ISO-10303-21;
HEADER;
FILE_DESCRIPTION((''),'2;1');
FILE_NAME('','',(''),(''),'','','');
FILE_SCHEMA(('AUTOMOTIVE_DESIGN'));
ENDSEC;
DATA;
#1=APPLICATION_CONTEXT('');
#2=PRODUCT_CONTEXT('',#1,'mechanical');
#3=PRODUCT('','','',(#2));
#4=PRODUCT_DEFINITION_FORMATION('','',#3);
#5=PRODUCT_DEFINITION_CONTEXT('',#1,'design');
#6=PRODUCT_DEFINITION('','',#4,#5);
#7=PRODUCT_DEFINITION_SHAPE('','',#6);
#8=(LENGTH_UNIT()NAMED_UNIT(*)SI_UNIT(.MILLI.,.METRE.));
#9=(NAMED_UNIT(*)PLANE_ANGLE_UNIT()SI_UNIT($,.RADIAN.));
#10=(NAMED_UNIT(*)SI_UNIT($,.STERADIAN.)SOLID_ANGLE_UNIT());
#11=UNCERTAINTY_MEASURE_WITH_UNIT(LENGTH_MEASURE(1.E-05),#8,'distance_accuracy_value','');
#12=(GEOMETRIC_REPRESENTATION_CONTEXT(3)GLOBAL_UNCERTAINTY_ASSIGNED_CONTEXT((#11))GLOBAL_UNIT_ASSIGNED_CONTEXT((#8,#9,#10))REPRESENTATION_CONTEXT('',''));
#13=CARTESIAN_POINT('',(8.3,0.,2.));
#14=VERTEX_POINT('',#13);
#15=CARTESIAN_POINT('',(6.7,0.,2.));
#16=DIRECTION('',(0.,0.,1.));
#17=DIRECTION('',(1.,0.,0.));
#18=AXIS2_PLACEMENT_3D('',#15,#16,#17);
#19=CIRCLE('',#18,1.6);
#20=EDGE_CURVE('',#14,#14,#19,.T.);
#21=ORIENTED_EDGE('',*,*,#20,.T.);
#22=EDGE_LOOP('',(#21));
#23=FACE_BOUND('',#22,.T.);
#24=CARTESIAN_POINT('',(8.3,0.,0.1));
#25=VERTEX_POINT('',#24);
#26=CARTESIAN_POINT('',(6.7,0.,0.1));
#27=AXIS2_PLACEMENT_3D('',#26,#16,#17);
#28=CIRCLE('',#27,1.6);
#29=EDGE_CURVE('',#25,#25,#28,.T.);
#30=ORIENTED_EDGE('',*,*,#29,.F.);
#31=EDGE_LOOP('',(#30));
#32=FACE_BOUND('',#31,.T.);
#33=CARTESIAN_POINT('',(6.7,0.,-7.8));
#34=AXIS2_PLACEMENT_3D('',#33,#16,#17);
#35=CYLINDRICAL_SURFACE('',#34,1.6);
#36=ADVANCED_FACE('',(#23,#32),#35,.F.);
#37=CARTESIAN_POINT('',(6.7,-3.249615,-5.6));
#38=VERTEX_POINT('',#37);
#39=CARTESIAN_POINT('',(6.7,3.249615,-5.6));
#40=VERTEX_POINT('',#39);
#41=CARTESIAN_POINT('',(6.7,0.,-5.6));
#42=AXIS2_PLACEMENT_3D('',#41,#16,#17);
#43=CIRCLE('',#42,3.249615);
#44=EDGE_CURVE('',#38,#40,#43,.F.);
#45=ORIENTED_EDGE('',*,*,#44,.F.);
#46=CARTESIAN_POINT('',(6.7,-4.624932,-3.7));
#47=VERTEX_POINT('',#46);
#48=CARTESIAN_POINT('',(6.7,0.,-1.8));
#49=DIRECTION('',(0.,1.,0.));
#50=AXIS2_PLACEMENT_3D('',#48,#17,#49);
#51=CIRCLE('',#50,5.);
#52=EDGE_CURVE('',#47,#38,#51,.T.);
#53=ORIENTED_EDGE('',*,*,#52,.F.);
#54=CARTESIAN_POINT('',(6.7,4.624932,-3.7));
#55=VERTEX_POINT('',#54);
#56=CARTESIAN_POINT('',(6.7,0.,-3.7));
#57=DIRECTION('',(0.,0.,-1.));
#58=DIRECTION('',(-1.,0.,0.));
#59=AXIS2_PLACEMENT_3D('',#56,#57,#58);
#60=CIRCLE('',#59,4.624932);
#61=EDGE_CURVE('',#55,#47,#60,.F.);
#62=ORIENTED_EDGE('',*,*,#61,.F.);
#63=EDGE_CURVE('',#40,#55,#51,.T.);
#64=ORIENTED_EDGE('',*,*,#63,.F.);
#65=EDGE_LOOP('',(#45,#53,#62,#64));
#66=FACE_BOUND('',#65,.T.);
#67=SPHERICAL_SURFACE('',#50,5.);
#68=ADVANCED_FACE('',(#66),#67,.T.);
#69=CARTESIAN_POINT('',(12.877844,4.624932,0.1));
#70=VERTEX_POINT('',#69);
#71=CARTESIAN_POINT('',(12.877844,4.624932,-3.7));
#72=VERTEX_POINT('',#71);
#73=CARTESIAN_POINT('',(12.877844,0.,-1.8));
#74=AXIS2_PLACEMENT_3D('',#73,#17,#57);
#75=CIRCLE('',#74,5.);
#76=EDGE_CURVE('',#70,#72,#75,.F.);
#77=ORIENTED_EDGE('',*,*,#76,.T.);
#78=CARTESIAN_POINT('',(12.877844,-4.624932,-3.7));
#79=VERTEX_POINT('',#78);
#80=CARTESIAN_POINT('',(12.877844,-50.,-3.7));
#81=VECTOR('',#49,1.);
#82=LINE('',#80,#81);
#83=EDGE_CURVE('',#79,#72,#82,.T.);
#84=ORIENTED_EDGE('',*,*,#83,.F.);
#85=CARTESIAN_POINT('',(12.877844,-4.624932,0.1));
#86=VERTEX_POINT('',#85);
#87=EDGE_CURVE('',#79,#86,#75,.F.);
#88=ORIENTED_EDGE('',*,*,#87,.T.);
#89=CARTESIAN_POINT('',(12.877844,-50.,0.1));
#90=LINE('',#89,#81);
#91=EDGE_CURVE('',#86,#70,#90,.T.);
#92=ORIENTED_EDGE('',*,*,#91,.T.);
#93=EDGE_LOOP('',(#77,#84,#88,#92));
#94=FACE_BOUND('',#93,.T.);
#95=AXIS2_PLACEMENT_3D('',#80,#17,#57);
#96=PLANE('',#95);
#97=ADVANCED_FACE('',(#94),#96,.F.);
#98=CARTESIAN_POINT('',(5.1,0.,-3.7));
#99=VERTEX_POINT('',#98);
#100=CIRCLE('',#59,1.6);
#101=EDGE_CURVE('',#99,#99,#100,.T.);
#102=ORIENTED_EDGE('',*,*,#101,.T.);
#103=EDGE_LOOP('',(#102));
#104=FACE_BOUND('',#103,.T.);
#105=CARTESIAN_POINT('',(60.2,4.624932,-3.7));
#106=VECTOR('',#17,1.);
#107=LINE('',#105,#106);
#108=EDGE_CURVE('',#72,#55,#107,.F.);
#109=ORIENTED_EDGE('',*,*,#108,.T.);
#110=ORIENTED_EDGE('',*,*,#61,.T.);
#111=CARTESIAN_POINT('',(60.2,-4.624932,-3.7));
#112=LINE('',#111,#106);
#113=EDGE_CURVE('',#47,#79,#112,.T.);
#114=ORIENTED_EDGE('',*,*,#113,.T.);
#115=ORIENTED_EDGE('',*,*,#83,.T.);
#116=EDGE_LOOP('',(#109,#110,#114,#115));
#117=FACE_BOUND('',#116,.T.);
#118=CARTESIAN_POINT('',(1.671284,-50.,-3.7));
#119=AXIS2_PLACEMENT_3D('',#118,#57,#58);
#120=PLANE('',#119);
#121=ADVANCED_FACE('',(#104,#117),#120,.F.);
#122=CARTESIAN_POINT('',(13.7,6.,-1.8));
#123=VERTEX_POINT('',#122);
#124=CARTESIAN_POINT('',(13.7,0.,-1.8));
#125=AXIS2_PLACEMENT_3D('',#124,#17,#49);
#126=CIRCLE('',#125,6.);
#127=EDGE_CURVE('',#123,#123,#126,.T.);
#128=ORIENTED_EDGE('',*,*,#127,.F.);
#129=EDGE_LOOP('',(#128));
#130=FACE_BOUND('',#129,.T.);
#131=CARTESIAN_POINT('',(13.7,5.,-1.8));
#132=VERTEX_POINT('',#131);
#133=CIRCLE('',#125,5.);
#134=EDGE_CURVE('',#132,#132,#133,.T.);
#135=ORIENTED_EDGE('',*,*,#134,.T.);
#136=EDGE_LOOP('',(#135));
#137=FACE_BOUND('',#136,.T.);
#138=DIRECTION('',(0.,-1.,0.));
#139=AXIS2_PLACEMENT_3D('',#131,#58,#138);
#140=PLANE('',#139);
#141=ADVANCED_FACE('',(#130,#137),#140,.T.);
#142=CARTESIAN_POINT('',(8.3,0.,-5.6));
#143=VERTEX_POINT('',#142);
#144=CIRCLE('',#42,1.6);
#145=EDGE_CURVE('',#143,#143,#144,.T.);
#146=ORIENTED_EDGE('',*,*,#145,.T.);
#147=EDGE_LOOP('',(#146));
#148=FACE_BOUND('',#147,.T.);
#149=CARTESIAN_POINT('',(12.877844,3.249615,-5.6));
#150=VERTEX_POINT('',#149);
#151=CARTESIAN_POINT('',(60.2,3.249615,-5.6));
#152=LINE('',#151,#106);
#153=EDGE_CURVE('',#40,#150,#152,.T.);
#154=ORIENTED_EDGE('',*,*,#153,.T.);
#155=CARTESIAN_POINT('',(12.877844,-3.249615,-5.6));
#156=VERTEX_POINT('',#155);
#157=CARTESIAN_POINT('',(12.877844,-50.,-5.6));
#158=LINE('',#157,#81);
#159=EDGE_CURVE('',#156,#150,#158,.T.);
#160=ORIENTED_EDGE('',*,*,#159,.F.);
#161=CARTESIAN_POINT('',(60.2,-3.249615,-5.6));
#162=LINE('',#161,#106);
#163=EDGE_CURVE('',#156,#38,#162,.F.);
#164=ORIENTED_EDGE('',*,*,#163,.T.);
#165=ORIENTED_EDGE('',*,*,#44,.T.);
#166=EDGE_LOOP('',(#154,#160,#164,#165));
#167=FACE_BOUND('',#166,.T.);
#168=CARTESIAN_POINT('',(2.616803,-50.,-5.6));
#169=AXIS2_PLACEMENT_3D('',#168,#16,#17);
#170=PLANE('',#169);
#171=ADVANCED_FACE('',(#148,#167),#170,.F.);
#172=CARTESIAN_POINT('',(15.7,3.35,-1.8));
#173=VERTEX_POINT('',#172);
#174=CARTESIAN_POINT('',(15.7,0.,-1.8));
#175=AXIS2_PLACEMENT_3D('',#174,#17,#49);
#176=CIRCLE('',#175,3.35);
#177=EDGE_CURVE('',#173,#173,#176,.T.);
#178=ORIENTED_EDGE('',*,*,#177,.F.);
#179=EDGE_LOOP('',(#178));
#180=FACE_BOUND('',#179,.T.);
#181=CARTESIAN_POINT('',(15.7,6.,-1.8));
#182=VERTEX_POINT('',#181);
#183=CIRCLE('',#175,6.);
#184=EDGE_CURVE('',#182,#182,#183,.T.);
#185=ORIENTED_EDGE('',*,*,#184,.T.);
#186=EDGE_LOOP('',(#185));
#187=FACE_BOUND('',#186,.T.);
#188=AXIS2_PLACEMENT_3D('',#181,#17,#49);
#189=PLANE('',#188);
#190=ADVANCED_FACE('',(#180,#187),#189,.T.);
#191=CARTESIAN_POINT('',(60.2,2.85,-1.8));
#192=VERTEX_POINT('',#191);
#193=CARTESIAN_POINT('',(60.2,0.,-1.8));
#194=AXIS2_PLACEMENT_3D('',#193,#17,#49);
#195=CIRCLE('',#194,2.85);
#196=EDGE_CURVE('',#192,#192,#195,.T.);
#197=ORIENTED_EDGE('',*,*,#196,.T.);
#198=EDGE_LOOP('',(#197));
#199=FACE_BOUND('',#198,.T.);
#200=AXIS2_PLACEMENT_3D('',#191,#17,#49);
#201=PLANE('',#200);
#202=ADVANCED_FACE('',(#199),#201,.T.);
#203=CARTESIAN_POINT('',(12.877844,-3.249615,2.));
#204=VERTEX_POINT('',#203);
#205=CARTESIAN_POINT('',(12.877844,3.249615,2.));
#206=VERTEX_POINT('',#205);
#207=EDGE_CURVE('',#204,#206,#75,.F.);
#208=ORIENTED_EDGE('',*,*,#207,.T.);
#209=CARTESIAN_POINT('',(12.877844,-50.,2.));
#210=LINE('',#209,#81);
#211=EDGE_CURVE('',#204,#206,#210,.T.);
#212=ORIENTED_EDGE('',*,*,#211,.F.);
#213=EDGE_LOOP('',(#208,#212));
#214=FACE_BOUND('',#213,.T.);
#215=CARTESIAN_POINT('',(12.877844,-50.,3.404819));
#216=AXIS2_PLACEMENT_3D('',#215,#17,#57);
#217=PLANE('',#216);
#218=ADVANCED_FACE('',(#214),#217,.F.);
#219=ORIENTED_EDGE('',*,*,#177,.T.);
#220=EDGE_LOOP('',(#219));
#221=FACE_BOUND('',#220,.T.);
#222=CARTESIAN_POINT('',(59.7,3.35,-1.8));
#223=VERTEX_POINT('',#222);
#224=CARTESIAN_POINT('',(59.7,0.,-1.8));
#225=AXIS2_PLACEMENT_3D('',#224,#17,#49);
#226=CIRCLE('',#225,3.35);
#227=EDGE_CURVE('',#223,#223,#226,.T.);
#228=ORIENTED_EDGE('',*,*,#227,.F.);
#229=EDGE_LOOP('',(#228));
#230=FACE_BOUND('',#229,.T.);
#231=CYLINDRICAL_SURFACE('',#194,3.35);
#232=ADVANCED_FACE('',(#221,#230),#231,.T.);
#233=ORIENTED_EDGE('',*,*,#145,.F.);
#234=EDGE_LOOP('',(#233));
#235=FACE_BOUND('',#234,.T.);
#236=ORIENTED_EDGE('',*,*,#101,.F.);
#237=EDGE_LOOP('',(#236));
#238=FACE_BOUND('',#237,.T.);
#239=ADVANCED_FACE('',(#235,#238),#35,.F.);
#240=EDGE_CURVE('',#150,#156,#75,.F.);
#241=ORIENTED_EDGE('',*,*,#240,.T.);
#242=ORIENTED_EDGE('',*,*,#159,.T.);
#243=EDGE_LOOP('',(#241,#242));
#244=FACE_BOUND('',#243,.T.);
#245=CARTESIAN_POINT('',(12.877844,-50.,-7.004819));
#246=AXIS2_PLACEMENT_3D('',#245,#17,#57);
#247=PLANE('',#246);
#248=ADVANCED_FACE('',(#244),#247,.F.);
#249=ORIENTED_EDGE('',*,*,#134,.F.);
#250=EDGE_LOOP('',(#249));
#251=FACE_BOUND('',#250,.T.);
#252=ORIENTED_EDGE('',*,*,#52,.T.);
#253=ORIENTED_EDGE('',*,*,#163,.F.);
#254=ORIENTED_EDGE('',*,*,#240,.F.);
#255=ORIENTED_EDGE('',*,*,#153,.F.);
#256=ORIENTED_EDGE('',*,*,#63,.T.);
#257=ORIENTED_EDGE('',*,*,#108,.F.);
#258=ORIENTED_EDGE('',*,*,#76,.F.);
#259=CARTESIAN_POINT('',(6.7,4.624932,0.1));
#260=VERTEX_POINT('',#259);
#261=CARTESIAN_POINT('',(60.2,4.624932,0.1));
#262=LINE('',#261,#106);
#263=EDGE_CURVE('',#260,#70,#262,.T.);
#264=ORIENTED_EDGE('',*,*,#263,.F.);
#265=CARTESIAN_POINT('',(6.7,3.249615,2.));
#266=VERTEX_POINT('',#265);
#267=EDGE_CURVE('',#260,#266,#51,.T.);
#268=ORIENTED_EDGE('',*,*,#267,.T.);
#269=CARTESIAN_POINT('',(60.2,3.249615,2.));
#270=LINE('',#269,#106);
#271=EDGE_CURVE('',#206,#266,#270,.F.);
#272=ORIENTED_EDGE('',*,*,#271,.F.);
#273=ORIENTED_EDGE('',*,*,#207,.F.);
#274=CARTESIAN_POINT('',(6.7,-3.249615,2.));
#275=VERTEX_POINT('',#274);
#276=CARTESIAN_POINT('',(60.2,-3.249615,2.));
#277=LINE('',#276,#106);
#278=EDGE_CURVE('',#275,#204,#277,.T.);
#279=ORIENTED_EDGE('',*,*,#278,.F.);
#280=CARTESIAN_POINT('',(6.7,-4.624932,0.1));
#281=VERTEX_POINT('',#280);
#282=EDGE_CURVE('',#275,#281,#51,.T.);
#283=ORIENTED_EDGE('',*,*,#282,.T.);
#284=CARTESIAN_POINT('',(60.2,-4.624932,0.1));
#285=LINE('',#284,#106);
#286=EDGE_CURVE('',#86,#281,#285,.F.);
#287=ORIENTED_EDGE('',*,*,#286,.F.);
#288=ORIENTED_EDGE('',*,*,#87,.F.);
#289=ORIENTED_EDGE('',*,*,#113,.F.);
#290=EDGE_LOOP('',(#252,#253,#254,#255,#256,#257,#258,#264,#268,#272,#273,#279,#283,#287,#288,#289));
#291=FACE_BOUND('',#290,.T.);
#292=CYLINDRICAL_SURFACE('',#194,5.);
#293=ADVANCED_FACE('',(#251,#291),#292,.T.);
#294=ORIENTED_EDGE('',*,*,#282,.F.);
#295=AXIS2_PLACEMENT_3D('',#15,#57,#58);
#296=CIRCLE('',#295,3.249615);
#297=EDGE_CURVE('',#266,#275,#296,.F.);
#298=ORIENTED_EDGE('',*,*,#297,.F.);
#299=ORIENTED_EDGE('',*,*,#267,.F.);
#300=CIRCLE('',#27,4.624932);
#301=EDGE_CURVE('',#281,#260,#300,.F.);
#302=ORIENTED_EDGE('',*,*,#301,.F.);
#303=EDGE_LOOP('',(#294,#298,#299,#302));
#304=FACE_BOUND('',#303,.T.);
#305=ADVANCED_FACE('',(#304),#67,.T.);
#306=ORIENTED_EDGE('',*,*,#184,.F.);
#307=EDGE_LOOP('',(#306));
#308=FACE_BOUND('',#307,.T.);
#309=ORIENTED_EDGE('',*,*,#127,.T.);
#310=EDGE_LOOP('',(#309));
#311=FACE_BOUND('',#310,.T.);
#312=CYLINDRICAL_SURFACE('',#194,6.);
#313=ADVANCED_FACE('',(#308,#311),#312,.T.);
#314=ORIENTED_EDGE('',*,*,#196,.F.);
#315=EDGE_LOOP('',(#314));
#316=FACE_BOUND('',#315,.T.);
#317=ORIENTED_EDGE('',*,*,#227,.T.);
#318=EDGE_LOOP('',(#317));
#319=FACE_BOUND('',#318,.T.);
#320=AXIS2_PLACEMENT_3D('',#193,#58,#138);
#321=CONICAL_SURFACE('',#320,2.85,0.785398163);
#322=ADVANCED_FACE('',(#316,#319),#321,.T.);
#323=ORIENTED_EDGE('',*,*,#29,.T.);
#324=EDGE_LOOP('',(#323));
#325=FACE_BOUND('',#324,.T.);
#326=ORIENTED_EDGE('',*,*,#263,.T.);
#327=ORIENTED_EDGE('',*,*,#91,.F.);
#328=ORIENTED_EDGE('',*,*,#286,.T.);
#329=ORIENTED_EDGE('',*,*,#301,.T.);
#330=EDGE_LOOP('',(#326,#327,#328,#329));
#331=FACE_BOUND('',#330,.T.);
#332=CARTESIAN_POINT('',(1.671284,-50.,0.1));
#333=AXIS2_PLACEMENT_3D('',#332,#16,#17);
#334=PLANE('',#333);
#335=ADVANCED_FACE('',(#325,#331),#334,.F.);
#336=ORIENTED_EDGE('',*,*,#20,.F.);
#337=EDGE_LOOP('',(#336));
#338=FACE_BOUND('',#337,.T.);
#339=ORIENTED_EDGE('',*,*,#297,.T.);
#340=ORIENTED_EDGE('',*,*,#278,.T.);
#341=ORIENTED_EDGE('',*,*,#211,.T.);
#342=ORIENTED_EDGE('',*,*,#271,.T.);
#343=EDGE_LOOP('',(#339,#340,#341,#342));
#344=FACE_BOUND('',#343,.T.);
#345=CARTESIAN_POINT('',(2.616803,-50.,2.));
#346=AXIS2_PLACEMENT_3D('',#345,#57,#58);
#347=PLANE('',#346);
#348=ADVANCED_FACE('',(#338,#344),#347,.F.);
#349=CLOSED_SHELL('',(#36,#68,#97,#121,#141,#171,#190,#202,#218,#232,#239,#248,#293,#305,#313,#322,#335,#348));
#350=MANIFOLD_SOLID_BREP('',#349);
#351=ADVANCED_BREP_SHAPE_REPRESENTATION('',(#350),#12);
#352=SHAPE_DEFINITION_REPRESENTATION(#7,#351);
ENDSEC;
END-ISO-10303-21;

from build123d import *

# Parameters (mm, degrees)
SKETCH_3_W          = 10.261040874
SKETCH_3_H          = 1.404819466
CUT_EXTRUDE_1_DEPTH = 50
SKETCH_4_W          = 11.206560307
SKETCH_4_H          = 3.8
CUT_EXTRUDE_2_DEPTH = 50
SKETCH_7_R          = 1.6
CUT_EXTRUDE_4_DEPTH = 62.286866456


with BuildPart() as part:
    # 草图2 → 旋转1 (revolve)
    with BuildSketch(Plane.XY.offset(-1.8)):
        with BuildLine():
            Line((6.7, 5), (13.7, 5))
            Line((13.7, 5), (13.7, 6))
            Line((13.7, 6), (15.7, 6))
            Line((15.7, 6), (15.7, 3.35))
            Line((15.7, 3.35), (59.7, 3.35))
            Line((59.7, 3.35), (60.2, 2.85))
            Line((60.2, 2.85), (60.2, 0))
            Line((60.2, 0), (1.7, 0))
            ThreePointArc((1.7, 0), (3.164466094, 3.535533906), (6.7, 5))
        make_face()
    revolve(axis=Axis((60.2, 0, -1.8), (-1, 0, 0)))

    # 草图3 → 切除-拉伸1 (cut, symmetric)
    with BuildSketch(Plane(origin=(0, 0, -1.8), x_dir=(1, 0, 0), z_dir=(0, 1, 0))):
        with Locations((7.747323823, -4.502409733)):
            Rectangle(SKETCH_3_W, SKETCH_3_H)
        with Locations((7.747323823, 4.502409733)):
            Rectangle(SKETCH_3_W, SKETCH_3_H)
    extrude(amount=CUT_EXTRUDE_1_DEPTH, both=True, mode=Mode.SUBTRACT)

    # 草图4 → 切除-拉伸2 (cut, symmetric)
    with BuildSketch(Plane(origin=(0, 0, 0), x_dir=(1, 0, 0), z_dir=(0, 1, 0))):
        with Locations((7.274564107, 1.8)):
            Rectangle(SKETCH_4_W, SKETCH_4_H)
    extrude(amount=CUT_EXTRUDE_2_DEPTH, both=True, mode=Mode.SUBTRACT)

    # 草图7 → 切除-拉伸4 (cut, through all)
    with BuildSketch(Plane.XY.offset(2)):
        with Locations((6.7, 0)):
            Circle(SKETCH_7_R)
    extrude(amount=-CUT_EXTRUDE_4_DEPTH, mode=Mode.SUBTRACT)


solid = part.part
